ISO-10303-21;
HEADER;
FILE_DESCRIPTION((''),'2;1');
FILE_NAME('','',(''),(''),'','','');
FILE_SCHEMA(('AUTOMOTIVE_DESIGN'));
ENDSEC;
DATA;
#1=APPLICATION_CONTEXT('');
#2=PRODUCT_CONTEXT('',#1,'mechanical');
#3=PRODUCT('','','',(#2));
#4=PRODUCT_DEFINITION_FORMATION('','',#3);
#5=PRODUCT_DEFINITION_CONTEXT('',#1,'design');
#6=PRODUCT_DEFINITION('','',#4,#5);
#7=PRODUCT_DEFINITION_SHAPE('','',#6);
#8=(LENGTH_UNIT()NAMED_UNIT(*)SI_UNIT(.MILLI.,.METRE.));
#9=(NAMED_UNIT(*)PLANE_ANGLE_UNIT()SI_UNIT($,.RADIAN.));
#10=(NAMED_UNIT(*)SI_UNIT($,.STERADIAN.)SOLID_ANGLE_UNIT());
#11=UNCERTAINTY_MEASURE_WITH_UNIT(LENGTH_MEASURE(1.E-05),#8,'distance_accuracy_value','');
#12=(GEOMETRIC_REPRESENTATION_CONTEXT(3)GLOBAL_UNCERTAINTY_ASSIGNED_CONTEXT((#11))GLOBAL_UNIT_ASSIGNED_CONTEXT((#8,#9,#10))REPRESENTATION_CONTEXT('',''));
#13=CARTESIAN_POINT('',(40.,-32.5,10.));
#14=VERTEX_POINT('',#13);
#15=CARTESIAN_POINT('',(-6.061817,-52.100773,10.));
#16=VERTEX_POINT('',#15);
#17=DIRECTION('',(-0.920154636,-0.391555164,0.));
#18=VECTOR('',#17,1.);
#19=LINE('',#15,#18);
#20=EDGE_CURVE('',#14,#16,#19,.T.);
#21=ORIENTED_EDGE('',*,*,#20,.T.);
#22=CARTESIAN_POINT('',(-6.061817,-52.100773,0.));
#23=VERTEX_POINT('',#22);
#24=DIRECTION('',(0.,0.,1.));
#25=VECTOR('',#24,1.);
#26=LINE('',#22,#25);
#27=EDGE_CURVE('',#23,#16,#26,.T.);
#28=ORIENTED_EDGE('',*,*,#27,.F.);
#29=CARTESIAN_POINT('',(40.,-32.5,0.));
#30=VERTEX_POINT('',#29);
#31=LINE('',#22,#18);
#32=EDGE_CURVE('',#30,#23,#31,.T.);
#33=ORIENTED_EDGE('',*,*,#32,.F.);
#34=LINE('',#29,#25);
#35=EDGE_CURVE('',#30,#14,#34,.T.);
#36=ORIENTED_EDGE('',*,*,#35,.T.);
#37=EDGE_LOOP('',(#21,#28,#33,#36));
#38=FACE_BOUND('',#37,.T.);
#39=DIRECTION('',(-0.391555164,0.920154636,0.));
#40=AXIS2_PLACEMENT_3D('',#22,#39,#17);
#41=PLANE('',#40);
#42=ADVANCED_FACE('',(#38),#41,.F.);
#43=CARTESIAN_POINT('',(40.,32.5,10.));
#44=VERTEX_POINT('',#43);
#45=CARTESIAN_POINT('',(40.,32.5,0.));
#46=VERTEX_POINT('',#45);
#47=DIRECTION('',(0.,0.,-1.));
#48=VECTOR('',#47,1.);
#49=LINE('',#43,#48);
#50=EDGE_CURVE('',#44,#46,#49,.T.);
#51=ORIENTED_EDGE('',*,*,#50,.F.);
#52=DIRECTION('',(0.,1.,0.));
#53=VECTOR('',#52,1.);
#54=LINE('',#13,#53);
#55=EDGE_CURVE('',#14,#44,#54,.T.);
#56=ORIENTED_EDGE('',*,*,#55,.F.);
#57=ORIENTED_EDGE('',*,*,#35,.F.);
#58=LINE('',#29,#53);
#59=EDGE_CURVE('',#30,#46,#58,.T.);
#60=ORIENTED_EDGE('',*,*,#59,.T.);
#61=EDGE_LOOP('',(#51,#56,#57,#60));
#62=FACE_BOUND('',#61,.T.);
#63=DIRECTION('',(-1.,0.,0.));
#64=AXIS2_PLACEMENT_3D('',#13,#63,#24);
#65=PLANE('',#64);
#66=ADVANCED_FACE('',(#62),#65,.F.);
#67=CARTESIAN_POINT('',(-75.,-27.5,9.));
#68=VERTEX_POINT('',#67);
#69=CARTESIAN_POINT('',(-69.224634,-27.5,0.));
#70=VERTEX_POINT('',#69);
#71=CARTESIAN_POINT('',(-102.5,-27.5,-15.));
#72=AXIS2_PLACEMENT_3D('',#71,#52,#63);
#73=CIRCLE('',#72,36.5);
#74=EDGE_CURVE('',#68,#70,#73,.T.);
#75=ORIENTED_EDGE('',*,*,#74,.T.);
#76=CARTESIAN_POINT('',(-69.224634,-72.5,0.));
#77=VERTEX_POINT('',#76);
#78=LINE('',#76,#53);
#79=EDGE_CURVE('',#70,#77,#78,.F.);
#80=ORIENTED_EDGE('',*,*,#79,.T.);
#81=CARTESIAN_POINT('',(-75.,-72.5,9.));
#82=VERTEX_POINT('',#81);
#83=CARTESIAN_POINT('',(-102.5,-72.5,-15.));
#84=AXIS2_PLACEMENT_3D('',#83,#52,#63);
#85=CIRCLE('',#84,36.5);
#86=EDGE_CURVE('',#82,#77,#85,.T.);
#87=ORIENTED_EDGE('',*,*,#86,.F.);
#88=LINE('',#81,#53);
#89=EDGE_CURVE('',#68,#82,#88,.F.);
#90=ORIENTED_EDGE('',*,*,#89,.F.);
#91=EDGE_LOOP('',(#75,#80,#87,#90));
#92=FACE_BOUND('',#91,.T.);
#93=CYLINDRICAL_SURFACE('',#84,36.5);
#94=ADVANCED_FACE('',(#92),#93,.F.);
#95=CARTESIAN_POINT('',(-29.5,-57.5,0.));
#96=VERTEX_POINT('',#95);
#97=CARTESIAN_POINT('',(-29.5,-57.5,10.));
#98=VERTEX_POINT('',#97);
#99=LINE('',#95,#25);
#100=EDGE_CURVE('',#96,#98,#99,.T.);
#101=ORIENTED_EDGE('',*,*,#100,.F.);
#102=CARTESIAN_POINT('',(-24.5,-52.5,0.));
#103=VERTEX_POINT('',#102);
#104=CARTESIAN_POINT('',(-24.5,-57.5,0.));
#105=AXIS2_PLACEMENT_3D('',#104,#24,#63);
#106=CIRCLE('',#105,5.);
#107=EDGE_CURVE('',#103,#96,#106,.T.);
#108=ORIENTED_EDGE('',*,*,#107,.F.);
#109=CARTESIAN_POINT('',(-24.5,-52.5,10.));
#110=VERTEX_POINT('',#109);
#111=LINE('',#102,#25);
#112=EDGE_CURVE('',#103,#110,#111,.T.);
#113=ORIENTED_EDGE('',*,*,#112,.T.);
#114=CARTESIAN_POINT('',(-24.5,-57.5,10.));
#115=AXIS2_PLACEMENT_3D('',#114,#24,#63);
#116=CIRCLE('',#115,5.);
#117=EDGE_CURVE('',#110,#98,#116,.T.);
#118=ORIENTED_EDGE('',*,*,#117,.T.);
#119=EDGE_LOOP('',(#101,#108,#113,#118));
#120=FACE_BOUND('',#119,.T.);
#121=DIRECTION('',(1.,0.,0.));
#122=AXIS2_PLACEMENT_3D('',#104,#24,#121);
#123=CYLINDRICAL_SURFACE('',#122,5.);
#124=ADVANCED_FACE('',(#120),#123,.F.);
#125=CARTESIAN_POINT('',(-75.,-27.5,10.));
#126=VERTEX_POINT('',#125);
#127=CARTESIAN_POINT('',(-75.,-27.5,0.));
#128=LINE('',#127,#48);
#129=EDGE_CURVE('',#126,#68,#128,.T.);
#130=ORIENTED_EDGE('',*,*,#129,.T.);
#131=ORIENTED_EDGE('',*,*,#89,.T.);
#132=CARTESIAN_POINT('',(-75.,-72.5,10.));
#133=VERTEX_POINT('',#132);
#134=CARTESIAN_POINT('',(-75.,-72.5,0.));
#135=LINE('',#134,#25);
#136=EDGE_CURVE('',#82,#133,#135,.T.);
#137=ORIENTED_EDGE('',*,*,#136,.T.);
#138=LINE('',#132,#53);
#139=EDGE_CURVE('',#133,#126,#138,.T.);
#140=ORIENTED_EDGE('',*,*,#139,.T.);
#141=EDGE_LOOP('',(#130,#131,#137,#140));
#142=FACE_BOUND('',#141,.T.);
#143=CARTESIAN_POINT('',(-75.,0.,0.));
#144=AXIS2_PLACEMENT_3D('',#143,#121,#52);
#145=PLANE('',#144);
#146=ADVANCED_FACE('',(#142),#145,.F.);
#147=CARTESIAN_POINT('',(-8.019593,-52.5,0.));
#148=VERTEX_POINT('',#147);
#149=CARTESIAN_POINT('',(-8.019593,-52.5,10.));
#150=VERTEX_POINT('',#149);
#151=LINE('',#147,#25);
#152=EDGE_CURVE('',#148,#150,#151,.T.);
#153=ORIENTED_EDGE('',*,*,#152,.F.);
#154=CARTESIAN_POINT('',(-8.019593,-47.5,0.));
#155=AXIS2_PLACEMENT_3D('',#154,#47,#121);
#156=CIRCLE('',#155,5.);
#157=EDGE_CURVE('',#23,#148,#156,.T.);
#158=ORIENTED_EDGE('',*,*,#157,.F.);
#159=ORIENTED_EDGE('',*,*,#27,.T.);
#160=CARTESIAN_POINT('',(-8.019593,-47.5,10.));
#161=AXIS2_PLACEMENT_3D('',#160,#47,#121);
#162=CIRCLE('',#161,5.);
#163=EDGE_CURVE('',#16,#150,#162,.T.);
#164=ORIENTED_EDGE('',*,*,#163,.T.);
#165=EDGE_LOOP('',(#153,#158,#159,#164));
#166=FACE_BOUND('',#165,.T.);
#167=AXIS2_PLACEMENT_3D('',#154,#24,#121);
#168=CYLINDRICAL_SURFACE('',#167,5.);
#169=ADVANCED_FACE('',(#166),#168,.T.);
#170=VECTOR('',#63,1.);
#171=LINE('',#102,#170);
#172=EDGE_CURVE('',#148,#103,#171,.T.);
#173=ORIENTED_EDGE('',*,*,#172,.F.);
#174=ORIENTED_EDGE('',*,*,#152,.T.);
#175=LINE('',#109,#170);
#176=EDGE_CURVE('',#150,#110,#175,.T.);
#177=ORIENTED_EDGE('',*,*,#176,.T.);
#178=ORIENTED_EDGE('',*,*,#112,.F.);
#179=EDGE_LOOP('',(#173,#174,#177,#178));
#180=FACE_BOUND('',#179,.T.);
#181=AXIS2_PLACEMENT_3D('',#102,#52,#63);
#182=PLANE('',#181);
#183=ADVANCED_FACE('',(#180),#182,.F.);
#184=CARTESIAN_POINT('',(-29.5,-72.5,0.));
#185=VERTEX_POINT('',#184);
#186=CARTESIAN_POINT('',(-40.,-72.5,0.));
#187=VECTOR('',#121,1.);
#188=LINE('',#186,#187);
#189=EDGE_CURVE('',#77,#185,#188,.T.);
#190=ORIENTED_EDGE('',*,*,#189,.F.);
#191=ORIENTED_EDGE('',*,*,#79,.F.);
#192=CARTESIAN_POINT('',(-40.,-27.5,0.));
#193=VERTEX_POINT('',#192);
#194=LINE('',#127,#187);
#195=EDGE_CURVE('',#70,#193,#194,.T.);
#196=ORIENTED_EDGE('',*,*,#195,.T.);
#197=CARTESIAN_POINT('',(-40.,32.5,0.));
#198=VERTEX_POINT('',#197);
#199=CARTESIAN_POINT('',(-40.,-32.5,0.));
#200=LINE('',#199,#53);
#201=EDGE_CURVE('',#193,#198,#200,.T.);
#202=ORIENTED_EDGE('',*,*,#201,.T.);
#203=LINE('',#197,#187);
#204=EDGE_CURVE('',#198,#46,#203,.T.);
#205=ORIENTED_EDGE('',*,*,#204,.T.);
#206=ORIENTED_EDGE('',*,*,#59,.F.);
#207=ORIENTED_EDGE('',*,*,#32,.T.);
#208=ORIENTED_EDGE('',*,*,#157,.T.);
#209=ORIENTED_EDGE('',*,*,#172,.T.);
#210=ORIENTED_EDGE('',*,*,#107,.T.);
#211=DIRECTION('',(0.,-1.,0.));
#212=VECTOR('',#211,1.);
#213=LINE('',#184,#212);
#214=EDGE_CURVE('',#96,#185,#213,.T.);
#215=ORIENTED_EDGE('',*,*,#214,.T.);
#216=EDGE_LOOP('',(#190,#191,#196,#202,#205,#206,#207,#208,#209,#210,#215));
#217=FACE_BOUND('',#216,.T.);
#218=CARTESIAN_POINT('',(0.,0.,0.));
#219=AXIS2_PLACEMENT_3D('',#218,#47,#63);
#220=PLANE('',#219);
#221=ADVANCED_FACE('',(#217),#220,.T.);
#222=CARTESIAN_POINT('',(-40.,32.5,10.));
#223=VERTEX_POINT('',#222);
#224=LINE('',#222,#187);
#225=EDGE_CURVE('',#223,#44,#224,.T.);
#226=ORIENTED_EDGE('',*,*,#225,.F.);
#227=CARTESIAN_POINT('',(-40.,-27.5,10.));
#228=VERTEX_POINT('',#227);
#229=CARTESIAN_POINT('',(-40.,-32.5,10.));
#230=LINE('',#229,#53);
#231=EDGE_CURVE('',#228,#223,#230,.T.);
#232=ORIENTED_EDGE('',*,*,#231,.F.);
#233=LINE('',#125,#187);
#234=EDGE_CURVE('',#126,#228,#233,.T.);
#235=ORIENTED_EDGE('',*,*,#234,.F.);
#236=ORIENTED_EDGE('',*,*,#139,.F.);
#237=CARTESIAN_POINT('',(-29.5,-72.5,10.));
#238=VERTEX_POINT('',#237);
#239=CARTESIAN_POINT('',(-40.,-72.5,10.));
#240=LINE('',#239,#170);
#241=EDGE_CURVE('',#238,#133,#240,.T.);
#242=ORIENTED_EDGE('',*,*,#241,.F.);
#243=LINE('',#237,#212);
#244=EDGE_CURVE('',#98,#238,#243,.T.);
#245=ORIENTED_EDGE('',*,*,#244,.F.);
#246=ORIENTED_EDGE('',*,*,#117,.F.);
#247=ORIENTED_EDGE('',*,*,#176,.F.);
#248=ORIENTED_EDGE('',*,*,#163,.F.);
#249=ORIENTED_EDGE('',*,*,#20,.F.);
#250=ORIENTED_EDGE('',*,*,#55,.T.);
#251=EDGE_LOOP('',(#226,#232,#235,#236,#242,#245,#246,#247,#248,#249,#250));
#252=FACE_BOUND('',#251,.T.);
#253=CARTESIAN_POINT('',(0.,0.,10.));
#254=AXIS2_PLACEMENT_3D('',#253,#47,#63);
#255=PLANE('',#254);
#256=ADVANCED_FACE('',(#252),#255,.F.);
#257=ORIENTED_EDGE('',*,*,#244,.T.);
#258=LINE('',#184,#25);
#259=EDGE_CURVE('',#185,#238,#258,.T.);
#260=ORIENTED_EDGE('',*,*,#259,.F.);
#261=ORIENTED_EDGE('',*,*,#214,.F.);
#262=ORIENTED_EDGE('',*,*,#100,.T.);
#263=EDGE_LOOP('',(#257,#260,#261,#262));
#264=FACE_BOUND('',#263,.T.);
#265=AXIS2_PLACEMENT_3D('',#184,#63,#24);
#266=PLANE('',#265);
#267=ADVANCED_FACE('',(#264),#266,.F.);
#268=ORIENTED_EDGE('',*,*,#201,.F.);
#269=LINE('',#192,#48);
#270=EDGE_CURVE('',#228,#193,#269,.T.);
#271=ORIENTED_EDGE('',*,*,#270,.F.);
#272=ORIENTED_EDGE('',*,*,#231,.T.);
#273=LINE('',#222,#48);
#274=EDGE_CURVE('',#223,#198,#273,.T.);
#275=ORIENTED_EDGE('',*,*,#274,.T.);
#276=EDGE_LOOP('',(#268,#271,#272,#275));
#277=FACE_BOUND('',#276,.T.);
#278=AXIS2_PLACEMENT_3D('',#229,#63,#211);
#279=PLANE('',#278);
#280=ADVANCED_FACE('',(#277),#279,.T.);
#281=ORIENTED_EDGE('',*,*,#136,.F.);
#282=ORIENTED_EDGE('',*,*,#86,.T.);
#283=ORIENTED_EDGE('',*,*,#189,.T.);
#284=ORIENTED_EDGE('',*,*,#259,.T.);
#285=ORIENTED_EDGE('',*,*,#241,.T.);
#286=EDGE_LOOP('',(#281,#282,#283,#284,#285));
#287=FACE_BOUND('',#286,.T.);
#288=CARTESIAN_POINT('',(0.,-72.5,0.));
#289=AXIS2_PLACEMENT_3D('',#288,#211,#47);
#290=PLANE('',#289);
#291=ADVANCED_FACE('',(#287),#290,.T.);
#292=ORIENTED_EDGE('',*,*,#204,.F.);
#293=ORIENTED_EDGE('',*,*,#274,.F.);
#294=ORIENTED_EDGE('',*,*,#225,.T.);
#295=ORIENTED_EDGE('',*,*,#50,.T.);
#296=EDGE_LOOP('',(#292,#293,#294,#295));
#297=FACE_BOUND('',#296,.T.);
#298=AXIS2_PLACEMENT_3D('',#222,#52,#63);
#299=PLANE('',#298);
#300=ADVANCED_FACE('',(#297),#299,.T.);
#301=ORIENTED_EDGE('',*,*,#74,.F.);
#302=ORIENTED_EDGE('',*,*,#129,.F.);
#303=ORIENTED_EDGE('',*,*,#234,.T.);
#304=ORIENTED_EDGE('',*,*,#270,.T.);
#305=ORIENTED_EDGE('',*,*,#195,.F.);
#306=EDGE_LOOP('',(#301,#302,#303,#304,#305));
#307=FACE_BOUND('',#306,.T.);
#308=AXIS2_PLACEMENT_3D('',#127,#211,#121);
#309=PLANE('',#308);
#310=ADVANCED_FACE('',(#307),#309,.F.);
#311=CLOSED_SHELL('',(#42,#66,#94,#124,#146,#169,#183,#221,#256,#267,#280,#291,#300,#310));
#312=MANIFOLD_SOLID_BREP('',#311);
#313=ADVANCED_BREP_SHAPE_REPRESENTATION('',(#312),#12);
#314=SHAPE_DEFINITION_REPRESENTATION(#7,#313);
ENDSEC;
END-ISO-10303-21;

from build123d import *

# Parameters (mm, degrees)
SKETCH1_W           = 80
SKETCH1_H           = 65
BOSS_EXTRUDE1_DEPTH = 10
SKETCH3_W           = 80
SKETCH3_H           = 10
BOSS_EXTRUDE2_DEPTH = 40
SKETCH4_W           = 10
SKETCH4_H           = 45
BOSS_EXTRUDE3_DEPTH = 35
SKETCH5_R           = 36.5
CUT_EXTRUDE2_DEPTH  = 97.566039579
CUT_EXTRUDE3_DEPTH  = 105.791459576


with BuildPart() as part:
    # Sketch1 → Boss-Extrude1 (new body)
    with BuildSketch(Plane.XY):
        Rectangle(SKETCH1_W, SKETCH1_H)
    extrude(amount=BOSS_EXTRUDE1_DEPTH)

    # Sketch3 → Boss-Extrude2 (add)
    with BuildSketch(Plane.XZ.offset(32.5)):
        with Locations((0, 5)):
            Rectangle(SKETCH3_W, SKETCH3_H)
    extrude(amount=BOSS_EXTRUDE2_DEPTH)

    # Sketch4 → Boss-Extrude3 (add)
    with BuildSketch(Plane.ZY.offset(40)):
        with Locations((5, -50)):
            Rectangle(SKETCH4_W, SKETCH4_H)
    extrude(amount=BOSS_EXTRUDE3_DEPTH)

    # Sketch5 → Cut-Extrude2 (cut, through all)
    with BuildSketch(Plane(origin=(0, -27.5, 0), x_dir=(1, 0, 0), z_dir=(0, 1, 0))):
        with Locations((-102.5, 15)):
            Circle(SKETCH5_R)
    extrude(amount=-CUT_EXTRUDE2_DEPTH, mode=Mode.SUBTRACT)

    # Sketch6 → Cut-Extrude3 (cut, through all)
    with BuildSketch(Plane.XY.offset(10)):
        with BuildLine():
            Line((-29.5, -72.5), (40, -72.5))
            Line((40, -72.5), (40, -32.5))
            Line((40, -32.5), (-6.061816969, -52.100773178))
            ThreePointArc((-6.061816969, -52.100773178), (-7.020559729, -52.399176762), (-8.019592789, -52.5))
            Line((-8.019592789, -52.5), (-24.5, -52.5))
            ThreePointArc((-24.5, -52.5), (-28.035533906, -53.964466094), (-29.5, -57.5))
            Line((-29.5, -57.5), (-29.5, -72.5))
        make_face()
    extrude(amount=-CUT_EXTRUDE3_DEPTH, mode=Mode.SUBTRACT)


solid = part.part
